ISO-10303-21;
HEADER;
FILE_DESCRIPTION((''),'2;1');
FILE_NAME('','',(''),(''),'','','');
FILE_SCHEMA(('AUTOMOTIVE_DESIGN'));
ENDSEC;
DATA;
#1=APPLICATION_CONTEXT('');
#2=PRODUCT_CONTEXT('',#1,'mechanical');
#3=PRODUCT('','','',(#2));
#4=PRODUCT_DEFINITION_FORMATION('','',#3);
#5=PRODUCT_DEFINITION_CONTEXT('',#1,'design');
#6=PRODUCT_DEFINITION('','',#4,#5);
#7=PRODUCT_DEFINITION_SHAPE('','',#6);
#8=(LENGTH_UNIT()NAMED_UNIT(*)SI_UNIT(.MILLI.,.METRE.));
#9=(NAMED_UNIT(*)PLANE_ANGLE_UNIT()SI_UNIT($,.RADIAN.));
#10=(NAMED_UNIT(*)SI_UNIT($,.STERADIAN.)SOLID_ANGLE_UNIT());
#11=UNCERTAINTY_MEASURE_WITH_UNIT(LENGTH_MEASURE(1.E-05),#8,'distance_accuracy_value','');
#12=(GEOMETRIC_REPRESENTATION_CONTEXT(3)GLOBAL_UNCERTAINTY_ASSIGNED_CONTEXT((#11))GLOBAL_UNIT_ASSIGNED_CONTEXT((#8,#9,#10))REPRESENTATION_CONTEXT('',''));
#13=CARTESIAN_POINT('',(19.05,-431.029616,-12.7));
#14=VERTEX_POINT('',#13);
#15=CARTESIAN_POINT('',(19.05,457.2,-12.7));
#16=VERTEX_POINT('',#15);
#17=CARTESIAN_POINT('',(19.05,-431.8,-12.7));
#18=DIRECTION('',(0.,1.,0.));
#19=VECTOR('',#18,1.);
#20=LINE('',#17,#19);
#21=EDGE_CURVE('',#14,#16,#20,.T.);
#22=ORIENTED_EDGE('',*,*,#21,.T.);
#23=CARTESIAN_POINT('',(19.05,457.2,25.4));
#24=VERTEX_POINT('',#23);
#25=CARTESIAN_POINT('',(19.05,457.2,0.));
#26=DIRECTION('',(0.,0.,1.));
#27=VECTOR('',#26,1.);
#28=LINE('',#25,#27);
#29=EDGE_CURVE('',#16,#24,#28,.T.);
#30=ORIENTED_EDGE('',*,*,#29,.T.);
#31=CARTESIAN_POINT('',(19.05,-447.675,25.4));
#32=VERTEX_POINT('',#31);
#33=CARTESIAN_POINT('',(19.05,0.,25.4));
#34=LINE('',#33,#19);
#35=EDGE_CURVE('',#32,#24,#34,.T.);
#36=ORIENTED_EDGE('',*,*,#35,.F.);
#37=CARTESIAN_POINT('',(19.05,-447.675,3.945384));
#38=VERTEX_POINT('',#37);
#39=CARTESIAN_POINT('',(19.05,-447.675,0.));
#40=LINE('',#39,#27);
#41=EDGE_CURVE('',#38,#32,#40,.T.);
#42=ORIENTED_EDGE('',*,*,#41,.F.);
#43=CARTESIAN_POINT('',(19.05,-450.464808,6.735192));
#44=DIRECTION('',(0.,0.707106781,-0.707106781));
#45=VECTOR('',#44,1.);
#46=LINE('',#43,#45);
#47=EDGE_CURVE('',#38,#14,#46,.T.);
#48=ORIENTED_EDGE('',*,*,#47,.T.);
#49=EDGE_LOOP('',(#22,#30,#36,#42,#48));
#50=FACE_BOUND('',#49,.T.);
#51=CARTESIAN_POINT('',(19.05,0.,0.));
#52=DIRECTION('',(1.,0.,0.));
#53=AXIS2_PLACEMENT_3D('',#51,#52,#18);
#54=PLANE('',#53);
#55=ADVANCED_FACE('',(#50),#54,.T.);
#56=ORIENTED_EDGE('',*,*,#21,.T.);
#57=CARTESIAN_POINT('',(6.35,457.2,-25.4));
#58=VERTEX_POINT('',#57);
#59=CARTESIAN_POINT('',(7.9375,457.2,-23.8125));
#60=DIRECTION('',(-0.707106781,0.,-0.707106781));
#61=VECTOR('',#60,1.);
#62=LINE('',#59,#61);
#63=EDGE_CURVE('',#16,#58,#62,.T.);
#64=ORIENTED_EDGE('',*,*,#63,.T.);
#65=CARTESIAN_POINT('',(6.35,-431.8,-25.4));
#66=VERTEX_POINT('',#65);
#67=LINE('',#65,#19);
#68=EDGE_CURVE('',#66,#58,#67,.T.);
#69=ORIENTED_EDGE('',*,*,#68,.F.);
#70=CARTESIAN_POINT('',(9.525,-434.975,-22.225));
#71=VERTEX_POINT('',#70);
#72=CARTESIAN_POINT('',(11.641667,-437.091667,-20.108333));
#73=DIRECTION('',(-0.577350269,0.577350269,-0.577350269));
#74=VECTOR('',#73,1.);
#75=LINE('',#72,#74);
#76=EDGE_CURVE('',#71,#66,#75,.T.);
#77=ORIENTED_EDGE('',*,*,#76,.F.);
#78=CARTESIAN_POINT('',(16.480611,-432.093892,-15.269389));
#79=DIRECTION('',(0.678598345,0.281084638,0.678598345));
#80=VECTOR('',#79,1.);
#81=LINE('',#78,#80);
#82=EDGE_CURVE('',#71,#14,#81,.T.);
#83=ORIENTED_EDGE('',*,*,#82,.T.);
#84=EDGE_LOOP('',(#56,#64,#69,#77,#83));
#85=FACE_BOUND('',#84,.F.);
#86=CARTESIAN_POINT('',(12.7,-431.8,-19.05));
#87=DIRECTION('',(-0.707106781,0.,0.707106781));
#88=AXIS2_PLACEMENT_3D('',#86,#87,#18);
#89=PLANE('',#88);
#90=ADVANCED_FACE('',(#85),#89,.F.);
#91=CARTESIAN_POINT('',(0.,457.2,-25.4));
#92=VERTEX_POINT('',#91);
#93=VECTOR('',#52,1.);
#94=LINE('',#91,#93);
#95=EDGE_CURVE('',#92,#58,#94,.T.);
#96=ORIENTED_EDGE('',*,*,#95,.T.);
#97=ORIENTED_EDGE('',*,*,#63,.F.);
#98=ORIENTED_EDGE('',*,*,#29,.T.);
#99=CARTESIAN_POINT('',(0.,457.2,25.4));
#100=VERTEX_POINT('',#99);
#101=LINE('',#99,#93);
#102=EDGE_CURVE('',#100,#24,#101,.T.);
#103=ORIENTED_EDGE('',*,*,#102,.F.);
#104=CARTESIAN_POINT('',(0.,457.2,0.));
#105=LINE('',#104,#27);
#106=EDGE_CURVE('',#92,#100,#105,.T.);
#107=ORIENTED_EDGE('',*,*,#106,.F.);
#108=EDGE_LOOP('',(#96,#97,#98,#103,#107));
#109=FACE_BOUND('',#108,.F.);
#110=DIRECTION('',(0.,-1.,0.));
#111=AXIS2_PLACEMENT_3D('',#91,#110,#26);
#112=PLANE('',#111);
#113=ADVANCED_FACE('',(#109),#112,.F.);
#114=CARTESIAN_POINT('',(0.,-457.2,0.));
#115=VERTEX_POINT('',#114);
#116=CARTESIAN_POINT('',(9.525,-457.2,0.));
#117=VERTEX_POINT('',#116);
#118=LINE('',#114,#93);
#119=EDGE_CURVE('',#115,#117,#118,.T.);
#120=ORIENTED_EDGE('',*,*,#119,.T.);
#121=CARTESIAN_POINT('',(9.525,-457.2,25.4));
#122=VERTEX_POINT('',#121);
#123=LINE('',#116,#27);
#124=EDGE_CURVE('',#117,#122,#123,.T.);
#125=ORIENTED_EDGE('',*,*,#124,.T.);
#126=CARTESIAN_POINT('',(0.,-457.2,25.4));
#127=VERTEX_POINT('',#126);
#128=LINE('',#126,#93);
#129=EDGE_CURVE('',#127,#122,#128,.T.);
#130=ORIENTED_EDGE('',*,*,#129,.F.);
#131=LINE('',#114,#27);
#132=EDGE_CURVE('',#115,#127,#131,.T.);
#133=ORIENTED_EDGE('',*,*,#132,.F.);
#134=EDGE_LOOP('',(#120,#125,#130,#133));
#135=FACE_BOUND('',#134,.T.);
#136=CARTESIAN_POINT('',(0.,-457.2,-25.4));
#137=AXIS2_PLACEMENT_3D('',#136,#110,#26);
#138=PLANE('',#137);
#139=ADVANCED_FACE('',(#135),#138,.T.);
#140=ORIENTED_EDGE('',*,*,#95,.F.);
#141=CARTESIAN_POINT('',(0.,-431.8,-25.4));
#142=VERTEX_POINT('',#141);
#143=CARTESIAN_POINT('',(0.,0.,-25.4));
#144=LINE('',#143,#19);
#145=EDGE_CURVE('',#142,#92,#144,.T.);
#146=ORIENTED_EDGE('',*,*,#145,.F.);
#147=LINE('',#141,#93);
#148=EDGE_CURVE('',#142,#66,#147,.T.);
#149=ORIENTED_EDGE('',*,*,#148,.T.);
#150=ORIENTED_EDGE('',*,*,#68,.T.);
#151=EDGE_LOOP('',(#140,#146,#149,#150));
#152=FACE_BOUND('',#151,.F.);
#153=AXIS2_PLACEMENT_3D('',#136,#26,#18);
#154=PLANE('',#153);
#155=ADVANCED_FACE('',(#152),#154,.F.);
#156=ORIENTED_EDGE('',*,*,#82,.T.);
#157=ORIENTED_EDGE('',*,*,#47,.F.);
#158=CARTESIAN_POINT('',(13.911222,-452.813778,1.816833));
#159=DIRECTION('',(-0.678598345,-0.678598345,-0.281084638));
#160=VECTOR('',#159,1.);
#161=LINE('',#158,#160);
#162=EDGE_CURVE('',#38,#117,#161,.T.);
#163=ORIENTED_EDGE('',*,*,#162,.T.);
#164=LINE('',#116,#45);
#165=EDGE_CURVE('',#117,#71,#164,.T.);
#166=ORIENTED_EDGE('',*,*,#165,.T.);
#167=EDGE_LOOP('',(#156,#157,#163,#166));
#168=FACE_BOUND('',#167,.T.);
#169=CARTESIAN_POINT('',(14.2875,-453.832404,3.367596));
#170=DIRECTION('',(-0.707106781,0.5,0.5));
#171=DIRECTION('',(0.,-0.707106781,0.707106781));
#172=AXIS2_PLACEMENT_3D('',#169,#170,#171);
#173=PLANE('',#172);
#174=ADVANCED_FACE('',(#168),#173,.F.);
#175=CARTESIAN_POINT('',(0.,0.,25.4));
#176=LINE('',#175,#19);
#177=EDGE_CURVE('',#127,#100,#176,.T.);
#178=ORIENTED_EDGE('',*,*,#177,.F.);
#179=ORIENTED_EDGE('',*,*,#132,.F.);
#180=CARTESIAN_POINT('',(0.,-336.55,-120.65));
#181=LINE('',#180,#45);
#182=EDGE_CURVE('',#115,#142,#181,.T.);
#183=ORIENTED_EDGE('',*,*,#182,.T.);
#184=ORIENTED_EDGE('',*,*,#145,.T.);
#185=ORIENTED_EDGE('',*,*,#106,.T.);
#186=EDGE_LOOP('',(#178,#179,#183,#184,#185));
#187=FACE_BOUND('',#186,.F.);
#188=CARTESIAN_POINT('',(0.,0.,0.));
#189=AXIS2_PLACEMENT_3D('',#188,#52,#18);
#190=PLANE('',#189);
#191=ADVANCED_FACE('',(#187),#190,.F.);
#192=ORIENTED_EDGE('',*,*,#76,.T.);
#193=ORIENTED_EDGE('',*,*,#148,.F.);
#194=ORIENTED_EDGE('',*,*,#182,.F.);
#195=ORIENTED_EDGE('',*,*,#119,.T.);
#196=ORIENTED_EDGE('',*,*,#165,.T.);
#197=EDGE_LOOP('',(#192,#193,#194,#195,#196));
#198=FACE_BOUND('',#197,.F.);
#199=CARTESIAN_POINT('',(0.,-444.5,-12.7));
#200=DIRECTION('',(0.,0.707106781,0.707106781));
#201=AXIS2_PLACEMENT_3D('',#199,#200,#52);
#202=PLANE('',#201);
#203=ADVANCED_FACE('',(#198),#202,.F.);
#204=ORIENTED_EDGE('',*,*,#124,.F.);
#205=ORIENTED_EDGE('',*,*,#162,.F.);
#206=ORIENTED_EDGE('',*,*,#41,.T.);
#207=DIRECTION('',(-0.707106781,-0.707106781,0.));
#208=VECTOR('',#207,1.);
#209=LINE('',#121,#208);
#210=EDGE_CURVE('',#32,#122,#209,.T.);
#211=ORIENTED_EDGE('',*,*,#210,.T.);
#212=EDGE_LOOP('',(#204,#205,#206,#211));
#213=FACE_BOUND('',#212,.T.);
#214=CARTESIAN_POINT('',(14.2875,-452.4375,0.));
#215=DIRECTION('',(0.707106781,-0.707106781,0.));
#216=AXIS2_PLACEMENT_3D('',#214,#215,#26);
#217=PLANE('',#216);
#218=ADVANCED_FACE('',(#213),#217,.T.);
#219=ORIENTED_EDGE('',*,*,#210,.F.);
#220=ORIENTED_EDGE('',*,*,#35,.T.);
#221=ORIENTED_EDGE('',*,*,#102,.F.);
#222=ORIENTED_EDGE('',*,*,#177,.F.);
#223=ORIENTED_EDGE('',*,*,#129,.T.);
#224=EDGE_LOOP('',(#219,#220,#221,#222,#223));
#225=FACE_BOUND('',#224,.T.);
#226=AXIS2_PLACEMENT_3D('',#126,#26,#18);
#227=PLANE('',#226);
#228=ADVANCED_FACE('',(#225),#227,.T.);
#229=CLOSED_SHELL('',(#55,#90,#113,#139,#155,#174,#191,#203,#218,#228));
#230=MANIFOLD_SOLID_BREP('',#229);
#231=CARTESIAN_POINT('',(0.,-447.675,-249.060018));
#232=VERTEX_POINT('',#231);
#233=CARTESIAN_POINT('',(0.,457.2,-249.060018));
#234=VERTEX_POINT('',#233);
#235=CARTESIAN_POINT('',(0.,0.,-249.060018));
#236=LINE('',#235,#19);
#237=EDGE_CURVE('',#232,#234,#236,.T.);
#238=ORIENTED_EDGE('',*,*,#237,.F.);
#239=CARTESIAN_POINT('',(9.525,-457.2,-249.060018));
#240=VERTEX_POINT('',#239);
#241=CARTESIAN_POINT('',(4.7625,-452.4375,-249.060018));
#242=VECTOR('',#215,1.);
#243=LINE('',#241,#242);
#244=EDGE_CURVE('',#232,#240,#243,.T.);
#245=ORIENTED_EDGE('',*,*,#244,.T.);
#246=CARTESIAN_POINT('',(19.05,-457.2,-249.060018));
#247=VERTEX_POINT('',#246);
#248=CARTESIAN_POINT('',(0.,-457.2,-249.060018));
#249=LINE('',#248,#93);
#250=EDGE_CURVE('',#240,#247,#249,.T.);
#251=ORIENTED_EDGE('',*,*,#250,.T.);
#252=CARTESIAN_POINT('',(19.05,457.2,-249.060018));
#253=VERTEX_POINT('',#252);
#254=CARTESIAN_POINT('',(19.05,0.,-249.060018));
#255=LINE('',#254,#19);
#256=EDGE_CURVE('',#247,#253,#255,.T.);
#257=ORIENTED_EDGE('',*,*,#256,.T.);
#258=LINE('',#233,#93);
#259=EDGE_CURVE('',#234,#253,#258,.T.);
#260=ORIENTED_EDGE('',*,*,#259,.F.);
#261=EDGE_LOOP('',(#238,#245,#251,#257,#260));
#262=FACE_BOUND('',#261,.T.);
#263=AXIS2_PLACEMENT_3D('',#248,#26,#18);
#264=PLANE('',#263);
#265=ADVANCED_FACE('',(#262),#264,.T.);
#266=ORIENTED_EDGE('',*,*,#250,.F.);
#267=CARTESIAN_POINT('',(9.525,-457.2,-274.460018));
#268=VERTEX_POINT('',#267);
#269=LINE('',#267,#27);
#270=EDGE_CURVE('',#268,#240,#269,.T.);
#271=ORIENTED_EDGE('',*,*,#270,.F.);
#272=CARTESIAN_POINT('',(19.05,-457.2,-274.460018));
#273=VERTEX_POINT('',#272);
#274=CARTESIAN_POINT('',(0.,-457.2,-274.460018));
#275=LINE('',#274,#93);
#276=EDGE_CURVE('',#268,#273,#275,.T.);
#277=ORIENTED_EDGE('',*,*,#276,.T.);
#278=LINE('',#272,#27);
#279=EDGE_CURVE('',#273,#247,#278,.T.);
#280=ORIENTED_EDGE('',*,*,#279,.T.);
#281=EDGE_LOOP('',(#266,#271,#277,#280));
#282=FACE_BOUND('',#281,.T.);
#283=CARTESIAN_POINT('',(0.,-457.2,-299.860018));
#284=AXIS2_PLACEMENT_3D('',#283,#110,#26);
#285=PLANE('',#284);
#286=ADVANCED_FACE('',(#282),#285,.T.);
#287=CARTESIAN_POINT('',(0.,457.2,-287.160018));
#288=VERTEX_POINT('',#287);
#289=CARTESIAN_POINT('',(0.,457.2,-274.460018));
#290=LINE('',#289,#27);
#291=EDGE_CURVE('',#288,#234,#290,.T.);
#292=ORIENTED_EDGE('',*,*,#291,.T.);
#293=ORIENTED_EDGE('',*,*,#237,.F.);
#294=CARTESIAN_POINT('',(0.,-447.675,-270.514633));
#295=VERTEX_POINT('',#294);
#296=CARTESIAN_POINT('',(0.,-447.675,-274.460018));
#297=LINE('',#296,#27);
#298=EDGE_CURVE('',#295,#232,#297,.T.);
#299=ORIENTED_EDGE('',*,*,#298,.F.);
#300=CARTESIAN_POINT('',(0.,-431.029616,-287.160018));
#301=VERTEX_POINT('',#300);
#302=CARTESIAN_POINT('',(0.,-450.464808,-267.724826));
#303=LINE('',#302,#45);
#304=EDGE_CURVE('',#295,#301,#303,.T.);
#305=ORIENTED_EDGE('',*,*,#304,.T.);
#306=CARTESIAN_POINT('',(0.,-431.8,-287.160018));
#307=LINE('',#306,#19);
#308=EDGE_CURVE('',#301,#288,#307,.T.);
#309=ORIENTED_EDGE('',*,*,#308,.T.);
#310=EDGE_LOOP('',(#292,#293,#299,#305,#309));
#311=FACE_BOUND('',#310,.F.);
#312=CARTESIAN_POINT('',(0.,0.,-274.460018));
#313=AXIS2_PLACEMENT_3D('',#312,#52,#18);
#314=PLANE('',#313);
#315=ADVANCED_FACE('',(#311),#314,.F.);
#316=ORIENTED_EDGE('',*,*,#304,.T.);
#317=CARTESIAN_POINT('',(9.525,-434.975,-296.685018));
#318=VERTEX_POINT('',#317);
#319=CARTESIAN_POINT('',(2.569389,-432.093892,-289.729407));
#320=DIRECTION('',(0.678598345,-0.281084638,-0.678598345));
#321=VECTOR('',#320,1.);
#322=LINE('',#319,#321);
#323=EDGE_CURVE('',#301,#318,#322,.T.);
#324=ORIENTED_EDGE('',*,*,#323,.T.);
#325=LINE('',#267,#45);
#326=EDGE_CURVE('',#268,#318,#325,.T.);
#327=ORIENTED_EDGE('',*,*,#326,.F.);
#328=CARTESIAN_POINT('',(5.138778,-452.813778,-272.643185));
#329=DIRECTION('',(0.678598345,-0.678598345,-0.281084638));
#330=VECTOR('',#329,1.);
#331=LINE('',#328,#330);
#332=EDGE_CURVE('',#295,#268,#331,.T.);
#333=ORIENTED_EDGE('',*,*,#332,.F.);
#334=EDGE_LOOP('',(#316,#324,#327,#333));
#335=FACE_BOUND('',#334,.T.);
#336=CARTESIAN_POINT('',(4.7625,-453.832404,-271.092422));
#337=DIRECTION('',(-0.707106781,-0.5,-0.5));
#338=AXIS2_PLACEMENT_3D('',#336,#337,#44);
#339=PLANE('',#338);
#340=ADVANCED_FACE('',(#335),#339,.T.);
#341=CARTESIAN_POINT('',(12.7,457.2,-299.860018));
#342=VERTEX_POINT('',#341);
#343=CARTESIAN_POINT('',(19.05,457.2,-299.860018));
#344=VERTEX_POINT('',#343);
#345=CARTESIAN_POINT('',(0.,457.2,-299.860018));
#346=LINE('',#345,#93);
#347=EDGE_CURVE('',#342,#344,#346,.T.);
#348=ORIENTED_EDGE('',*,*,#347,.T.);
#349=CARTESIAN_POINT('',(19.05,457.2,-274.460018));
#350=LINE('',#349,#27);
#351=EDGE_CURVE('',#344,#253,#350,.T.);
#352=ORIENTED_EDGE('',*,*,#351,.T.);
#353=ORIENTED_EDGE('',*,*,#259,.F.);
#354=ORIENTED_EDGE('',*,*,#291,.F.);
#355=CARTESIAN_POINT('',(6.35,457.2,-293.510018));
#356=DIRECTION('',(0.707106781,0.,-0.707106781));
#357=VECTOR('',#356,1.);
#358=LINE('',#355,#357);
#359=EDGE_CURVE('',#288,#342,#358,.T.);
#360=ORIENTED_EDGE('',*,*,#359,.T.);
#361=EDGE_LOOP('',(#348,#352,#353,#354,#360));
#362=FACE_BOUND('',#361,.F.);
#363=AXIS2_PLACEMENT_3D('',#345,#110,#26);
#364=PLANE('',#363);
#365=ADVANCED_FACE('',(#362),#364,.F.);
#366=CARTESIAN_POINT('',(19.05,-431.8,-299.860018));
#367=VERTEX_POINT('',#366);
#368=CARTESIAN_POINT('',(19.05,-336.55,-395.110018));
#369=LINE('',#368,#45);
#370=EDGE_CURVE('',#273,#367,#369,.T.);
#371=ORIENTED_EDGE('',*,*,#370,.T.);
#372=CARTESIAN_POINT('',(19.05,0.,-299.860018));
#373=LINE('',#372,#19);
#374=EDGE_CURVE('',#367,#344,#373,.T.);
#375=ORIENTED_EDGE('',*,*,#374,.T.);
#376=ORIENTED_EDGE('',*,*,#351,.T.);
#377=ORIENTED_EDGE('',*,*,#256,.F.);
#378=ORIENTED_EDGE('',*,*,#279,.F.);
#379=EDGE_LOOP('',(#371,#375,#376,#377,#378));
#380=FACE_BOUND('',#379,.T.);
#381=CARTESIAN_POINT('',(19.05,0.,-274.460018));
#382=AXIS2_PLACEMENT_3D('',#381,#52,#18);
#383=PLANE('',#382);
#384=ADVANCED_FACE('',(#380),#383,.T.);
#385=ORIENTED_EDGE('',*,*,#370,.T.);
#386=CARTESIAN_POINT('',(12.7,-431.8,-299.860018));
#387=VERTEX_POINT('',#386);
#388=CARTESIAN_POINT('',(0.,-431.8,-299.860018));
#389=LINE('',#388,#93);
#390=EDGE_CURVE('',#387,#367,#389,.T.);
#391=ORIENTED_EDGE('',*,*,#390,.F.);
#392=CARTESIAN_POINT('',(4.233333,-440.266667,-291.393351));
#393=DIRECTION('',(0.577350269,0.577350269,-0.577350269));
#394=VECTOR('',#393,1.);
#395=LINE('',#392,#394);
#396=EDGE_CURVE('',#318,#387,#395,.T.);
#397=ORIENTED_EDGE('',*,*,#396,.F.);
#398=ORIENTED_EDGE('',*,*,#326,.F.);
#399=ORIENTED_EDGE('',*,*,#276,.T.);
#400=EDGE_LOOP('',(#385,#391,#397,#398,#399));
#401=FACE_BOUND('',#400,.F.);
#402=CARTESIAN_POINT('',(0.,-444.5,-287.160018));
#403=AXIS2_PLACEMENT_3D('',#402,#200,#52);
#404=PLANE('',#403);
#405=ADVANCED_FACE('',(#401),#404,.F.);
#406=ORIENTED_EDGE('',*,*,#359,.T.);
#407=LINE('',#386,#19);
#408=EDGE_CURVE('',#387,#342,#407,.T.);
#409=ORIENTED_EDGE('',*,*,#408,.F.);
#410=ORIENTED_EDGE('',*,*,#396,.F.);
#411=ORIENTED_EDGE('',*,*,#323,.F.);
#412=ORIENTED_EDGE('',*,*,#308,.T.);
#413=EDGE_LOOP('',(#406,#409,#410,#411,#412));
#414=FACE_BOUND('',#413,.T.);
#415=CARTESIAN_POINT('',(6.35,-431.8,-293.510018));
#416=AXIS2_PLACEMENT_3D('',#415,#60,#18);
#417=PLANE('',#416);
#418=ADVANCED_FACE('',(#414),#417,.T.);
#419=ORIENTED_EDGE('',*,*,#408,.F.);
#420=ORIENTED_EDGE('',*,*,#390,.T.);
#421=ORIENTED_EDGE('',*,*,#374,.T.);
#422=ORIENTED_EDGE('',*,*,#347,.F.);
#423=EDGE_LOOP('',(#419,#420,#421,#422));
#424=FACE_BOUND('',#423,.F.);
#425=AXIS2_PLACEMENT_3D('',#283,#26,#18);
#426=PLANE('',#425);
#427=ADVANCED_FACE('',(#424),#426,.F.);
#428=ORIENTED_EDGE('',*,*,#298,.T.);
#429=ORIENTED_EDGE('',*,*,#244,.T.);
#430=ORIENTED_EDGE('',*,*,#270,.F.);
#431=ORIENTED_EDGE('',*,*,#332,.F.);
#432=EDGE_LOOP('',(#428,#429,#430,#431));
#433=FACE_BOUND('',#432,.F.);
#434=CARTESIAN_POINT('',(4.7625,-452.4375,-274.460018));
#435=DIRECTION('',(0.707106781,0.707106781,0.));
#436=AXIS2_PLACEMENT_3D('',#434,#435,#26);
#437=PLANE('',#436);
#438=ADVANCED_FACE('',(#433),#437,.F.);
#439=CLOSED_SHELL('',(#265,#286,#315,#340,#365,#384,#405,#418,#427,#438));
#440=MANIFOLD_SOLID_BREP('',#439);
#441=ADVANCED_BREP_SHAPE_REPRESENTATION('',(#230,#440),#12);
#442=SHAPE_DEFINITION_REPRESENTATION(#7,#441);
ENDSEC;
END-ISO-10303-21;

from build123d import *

# Parameters (mm, degrees)
F0_W      = 914.4
F0_H      = 50.8
F1_DEPTH  = 19.05
F2_SIZE   = 25.4
F3_SIZE   = 12.7
F4_DEPTH  = 19.05
F5_SIZE   = 25.4
F6_SIZE   = 12.7
F7_SIZE   = 9.525
F7_2_SIZE = 9.525


with BuildPart() as f1:
    # F0 (on Right) → F1 (new body)
    with BuildSketch(Plane.YZ):
        Rectangle(F0_W, F0_H)
    extrude(amount=F1_DEPTH)

    # F2
    f2_edges = [f1.edges().sort_by_distance(p)[0] for p in [
        (9.525, -457.2, -25.4),
    ]]
    chamfer(f2_edges, length=F2_SIZE)

    # F3
    f3_edges = [f1.edges().sort_by_distance(p)[0] for p in [
        (19.05, 12.7, -25.4),
    ]]
    chamfer(f3_edges, length=F3_SIZE)

    # F7
    f7_edges = [f1.edges().sort_by_distance(p)[0] for p in [
        (19.05, -457.2, 12.7),
        (19.05, -450.85, -6.35),
    ]]
    chamfer(f7_edges, length=F7_SIZE)


with BuildPart() as f4:
    # F0 (on Right) → F4 (new body)
    with BuildSketch(Plane.YZ):
        with Locations((0, -274.4600176811)):
            Rectangle(F0_W, F0_H)
    extrude(amount=F4_DEPTH)

    # F5
    f5_edges = [f4.edges().sort_by_distance(p)[0] for p in [
        (9.525, -457.2, -299.860018),
    ]]
    chamfer(f5_edges, length=F5_SIZE)

    # F6
    f6_edges = [f4.edges().sort_by_distance(p)[0] for p in [
        (0, 12.7, -299.860018),
    ]]
    chamfer(f6_edges, length=F6_SIZE)

    # F7#2
    f7_2_edges = [f4.edges().sort_by_distance(p)[0] for p in [
        (0, -450.85, -280.810018),
        (0, -457.2, -261.760018),
    ]]
    chamfer(f7_2_edges, length=F7_2_SIZE)


solid = Compound([f1.part, f4.part])
